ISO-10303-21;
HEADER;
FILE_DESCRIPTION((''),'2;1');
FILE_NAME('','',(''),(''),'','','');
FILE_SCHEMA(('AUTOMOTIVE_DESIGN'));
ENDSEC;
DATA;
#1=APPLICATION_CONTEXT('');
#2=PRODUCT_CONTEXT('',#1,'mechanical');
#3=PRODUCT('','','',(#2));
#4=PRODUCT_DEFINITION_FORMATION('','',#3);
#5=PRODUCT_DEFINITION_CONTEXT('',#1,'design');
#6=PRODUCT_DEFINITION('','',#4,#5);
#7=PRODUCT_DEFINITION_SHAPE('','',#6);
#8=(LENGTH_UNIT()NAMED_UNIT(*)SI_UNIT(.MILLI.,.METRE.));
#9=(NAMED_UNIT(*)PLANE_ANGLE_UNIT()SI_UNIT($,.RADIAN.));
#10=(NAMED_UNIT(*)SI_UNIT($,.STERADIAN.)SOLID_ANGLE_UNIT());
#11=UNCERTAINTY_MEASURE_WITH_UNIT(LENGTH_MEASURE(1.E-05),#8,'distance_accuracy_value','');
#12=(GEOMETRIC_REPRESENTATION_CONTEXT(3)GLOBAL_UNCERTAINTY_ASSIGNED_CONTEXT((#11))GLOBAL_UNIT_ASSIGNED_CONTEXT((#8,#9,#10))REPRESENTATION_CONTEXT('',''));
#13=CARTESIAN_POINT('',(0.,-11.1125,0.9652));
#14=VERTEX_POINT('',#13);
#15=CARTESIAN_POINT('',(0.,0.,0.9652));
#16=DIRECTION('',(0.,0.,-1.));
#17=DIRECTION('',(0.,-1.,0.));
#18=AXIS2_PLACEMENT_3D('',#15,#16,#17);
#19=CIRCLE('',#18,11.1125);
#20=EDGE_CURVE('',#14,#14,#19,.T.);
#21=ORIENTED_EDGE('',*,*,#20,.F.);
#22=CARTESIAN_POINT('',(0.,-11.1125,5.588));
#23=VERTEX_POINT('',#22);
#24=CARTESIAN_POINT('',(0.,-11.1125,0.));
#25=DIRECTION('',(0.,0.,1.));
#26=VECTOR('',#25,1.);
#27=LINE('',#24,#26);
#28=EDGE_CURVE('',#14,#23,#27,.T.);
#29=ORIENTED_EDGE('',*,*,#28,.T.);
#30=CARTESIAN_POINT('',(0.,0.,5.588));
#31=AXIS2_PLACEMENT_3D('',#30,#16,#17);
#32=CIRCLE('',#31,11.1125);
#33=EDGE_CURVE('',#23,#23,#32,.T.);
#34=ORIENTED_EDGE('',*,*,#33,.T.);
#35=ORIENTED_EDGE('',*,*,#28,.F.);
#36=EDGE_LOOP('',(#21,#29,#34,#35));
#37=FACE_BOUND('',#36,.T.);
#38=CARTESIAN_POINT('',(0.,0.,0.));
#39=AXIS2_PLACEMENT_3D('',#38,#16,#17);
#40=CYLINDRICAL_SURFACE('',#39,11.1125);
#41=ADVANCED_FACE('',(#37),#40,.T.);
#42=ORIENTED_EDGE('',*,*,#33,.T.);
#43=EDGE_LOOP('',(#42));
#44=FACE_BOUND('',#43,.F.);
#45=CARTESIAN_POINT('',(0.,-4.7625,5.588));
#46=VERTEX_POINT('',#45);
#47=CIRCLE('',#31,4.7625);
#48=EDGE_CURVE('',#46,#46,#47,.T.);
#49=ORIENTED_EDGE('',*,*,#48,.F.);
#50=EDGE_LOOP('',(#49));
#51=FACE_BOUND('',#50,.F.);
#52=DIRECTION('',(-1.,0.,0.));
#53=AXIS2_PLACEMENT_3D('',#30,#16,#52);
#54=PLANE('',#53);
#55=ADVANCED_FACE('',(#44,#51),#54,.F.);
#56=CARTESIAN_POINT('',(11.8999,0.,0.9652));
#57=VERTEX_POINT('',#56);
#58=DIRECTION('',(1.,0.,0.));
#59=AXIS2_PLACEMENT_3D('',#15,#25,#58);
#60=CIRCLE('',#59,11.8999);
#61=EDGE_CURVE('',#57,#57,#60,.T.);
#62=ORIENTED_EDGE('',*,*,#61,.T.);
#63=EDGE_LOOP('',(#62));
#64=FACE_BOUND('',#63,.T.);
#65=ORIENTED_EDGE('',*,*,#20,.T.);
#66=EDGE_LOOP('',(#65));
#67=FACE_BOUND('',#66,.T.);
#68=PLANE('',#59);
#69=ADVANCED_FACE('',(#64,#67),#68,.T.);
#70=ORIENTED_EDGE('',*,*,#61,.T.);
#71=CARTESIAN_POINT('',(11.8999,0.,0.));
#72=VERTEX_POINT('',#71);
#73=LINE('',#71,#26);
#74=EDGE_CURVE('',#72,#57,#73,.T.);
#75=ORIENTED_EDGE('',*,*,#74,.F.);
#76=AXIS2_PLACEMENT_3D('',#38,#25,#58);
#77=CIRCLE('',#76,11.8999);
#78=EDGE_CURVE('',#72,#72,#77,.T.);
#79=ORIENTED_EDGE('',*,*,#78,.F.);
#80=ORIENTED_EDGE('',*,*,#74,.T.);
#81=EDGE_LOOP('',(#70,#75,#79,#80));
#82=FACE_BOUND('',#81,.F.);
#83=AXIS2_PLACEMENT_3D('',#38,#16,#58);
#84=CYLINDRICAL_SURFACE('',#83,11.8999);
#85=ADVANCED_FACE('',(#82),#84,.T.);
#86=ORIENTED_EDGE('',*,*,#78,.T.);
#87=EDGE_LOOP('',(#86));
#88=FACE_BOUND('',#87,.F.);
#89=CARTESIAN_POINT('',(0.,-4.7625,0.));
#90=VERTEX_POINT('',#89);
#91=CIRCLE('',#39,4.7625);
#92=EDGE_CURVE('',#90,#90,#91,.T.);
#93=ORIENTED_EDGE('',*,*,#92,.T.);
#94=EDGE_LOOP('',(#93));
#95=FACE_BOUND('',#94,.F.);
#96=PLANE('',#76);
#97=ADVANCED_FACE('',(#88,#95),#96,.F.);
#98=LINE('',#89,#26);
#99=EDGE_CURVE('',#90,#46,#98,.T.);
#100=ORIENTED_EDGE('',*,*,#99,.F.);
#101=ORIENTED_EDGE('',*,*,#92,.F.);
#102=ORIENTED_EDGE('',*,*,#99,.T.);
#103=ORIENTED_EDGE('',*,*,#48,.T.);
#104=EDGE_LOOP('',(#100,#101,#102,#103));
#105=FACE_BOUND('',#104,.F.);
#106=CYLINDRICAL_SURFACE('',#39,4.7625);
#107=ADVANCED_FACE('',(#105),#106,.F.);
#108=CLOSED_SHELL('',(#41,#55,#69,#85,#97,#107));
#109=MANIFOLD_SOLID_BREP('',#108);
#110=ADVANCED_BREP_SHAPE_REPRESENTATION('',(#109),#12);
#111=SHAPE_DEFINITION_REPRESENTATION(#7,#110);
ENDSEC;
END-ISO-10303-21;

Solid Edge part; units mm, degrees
sketch "Sketch1" plane through (0, 0, 0) normal (0, 0, 1) x (1, 0, 0)
  circle A0 centre (0, 0) radius 11.1125
  circle A1 centre (0, 0) radius 11.8999
extrude "Protrusion1" add sketch "Sketch1" along normal blind 0.9652
sketch "Sketch2" plane through (0, 0, 0) normal (0, 0, -1) x (0, -1, 0)
  circle A0 centre (0, 0) radius 11.1125
  circle A1 centre (0, 0) radius 4.7625
extrude "ExtrudedProtrusion_3" add sketch "Sketch2" against normal blind 5.588
